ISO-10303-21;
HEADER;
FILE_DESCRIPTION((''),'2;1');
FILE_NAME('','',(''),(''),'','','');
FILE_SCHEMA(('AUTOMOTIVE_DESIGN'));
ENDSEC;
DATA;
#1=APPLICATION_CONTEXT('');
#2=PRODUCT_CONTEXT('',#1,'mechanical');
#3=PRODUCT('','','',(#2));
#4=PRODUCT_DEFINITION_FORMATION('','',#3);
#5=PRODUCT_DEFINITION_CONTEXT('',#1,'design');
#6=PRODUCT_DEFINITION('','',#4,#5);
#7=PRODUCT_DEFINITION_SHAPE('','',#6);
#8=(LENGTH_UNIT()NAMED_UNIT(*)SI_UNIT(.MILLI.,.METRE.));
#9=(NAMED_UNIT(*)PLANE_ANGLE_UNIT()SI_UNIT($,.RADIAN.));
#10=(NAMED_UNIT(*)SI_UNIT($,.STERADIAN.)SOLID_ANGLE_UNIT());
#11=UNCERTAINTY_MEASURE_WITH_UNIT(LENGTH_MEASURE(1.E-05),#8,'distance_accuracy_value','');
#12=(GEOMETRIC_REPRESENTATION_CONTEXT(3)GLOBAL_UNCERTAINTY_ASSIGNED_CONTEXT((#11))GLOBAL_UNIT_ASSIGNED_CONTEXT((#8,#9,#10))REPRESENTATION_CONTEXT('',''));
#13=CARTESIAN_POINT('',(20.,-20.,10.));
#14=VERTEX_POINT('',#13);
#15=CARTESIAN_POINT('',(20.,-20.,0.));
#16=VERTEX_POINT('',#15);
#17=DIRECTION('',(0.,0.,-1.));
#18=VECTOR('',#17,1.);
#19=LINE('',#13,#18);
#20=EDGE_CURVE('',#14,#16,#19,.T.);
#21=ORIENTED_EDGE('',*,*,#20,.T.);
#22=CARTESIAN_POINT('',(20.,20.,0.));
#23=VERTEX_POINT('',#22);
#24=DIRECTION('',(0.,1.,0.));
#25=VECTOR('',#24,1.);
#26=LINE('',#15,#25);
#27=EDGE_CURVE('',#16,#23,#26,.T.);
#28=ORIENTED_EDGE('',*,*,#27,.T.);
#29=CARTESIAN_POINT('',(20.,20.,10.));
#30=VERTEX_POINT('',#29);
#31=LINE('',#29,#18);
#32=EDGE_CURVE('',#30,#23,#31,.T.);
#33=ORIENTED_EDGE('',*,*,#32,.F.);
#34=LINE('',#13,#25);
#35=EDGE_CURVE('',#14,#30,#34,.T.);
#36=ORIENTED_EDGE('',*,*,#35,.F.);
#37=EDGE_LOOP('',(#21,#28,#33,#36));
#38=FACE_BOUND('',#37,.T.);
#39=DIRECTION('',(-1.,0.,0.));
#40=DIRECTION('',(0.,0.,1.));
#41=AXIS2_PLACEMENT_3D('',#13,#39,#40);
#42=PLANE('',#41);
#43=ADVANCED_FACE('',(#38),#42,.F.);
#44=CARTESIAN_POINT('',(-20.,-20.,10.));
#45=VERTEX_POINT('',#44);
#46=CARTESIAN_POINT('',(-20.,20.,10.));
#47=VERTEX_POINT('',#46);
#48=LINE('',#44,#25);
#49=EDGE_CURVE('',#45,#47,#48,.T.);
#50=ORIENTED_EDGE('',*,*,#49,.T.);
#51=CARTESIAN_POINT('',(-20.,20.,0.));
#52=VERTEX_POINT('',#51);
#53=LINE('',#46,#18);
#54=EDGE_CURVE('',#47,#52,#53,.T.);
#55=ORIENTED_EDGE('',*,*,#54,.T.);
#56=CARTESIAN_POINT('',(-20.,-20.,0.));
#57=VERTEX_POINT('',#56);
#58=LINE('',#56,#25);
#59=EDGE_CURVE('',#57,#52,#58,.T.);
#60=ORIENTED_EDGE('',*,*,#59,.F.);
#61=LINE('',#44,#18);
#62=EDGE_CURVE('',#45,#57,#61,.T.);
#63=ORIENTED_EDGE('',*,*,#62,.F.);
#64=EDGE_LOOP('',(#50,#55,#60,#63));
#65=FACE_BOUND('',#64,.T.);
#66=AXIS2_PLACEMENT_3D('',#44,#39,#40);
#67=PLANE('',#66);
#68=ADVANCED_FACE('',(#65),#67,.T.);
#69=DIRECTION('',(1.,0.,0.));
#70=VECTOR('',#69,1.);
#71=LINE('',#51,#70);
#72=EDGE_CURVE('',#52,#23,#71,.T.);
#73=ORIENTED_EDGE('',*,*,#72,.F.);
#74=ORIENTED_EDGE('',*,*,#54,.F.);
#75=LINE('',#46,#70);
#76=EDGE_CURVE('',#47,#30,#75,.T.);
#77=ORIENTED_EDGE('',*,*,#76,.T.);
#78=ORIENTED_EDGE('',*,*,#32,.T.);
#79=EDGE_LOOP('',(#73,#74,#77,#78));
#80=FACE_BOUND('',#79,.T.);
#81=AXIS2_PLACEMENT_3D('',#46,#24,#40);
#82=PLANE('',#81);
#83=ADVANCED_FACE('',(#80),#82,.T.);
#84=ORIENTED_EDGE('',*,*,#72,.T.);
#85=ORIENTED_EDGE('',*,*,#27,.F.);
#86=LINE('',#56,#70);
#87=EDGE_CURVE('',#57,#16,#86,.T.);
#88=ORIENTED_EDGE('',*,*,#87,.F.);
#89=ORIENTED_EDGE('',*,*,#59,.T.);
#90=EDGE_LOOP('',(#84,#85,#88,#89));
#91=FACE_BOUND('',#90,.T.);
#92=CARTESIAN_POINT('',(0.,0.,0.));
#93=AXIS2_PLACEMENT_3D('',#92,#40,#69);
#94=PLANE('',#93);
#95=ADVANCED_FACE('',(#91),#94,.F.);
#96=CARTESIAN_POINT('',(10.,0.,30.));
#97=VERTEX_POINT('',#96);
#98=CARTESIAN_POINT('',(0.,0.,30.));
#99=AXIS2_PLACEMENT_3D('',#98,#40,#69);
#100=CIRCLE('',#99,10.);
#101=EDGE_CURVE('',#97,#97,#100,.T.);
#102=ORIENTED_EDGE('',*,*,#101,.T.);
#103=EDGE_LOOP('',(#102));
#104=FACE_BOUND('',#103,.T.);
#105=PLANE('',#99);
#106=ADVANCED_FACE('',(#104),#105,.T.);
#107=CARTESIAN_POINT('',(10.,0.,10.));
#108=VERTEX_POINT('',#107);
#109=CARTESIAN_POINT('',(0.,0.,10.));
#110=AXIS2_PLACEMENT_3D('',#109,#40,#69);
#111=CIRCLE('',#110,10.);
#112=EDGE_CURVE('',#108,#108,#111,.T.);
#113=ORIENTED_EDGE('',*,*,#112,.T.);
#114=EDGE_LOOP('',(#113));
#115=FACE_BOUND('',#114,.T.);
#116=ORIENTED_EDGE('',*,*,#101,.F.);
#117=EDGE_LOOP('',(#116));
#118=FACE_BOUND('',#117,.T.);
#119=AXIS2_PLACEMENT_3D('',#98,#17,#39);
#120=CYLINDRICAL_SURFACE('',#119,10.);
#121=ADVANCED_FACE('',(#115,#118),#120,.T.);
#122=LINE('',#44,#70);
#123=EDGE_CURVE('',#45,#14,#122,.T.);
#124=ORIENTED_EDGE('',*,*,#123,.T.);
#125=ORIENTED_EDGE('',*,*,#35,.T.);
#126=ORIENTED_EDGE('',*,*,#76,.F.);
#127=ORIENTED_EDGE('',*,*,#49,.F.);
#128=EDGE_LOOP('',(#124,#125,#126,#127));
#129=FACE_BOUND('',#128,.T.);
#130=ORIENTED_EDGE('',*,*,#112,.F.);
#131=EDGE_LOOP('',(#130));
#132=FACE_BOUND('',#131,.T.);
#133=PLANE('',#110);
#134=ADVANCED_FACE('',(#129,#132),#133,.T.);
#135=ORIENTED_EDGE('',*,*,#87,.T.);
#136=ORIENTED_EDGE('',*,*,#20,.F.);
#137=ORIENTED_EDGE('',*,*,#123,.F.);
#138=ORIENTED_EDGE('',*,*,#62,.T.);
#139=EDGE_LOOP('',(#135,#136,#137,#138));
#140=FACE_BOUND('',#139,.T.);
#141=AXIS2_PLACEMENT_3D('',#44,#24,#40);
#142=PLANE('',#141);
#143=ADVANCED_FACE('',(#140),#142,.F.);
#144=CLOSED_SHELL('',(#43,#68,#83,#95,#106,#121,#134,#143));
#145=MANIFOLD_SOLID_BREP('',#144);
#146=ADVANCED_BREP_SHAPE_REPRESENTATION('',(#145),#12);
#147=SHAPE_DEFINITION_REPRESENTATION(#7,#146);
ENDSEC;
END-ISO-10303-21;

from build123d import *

# Parameters (mm, degrees)
ESQUISSE1_W        = 40
ESQUISSE1_H        = 40
BOSS_EXTRU_3_DEPTH = 10
ESQUISSE2_R        = 10
BOSS_EXTRU_4_DEPTH = 20


with BuildPart() as part:
    # Esquisse1 → Boss.-Extru.3 (new body)
    with BuildSketch(Plane.XY):
        Rectangle(ESQUISSE1_W, ESQUISSE1_H)
    extrude(amount=BOSS_EXTRU_3_DEPTH)

    # Esquisse2 → Boss.-Extru.4 (add)
    with BuildSketch(Plane.XY.offset(10)):
        Circle(ESQUISSE2_R)
    extrude(amount=BOSS_EXTRU_4_DEPTH)


solid = part.part
